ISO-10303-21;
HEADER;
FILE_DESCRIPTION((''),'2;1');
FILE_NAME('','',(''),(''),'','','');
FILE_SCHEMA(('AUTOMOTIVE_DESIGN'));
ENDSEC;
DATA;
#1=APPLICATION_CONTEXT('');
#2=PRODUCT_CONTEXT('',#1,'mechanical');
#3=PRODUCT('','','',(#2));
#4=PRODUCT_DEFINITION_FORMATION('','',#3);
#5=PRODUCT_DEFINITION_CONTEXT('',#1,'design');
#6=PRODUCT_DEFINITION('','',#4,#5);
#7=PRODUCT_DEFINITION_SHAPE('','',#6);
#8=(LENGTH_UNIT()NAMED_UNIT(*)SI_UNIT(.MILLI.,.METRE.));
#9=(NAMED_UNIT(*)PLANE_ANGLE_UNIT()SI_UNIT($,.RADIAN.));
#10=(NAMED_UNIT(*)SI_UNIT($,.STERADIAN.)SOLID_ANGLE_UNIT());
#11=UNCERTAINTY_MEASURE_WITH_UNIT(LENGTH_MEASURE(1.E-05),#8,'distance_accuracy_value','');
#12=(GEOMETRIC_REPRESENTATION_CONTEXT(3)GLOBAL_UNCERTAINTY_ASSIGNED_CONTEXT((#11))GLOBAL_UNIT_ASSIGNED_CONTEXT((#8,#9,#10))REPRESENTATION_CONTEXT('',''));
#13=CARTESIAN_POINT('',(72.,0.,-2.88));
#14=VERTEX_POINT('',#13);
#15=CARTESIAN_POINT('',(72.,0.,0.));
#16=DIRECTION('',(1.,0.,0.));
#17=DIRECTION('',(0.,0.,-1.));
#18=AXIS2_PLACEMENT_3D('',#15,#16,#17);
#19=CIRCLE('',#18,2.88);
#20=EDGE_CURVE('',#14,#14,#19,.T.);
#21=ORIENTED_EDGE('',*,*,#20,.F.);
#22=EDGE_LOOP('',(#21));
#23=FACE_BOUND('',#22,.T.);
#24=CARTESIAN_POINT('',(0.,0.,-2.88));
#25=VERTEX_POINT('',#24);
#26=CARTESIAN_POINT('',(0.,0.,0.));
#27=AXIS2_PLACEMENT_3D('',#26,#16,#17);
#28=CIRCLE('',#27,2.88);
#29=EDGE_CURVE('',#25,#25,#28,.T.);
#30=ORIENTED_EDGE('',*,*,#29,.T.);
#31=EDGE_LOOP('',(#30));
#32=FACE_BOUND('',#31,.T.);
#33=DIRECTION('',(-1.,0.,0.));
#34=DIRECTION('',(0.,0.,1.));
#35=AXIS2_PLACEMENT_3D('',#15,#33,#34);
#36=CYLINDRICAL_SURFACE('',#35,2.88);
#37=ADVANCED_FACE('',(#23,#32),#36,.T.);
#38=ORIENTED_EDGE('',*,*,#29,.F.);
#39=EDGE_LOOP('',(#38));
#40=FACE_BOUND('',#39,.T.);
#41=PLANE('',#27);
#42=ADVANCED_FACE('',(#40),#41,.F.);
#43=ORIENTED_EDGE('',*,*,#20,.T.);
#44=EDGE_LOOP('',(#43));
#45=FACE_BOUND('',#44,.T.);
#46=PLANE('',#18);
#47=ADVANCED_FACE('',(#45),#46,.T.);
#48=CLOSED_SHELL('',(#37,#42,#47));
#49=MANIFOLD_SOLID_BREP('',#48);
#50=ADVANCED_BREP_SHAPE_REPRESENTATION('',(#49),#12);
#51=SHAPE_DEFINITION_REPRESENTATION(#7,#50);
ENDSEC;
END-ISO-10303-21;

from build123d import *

# Parameters (mm, degrees)
SKETCH1_R           = 2.88
BOSS_EXTRUDE1_DEPTH = 72


with BuildPart() as part:
    # Sketch1 → Boss-Extrude1 (new body)
    with BuildSketch(Plane(origin=(0, 0, 0), x_dir=(0, 0, -1), z_dir=(1, 0, 0))):
        Circle(SKETCH1_R)
    extrude(amount=BOSS_EXTRUDE1_DEPTH)


solid = part.part
